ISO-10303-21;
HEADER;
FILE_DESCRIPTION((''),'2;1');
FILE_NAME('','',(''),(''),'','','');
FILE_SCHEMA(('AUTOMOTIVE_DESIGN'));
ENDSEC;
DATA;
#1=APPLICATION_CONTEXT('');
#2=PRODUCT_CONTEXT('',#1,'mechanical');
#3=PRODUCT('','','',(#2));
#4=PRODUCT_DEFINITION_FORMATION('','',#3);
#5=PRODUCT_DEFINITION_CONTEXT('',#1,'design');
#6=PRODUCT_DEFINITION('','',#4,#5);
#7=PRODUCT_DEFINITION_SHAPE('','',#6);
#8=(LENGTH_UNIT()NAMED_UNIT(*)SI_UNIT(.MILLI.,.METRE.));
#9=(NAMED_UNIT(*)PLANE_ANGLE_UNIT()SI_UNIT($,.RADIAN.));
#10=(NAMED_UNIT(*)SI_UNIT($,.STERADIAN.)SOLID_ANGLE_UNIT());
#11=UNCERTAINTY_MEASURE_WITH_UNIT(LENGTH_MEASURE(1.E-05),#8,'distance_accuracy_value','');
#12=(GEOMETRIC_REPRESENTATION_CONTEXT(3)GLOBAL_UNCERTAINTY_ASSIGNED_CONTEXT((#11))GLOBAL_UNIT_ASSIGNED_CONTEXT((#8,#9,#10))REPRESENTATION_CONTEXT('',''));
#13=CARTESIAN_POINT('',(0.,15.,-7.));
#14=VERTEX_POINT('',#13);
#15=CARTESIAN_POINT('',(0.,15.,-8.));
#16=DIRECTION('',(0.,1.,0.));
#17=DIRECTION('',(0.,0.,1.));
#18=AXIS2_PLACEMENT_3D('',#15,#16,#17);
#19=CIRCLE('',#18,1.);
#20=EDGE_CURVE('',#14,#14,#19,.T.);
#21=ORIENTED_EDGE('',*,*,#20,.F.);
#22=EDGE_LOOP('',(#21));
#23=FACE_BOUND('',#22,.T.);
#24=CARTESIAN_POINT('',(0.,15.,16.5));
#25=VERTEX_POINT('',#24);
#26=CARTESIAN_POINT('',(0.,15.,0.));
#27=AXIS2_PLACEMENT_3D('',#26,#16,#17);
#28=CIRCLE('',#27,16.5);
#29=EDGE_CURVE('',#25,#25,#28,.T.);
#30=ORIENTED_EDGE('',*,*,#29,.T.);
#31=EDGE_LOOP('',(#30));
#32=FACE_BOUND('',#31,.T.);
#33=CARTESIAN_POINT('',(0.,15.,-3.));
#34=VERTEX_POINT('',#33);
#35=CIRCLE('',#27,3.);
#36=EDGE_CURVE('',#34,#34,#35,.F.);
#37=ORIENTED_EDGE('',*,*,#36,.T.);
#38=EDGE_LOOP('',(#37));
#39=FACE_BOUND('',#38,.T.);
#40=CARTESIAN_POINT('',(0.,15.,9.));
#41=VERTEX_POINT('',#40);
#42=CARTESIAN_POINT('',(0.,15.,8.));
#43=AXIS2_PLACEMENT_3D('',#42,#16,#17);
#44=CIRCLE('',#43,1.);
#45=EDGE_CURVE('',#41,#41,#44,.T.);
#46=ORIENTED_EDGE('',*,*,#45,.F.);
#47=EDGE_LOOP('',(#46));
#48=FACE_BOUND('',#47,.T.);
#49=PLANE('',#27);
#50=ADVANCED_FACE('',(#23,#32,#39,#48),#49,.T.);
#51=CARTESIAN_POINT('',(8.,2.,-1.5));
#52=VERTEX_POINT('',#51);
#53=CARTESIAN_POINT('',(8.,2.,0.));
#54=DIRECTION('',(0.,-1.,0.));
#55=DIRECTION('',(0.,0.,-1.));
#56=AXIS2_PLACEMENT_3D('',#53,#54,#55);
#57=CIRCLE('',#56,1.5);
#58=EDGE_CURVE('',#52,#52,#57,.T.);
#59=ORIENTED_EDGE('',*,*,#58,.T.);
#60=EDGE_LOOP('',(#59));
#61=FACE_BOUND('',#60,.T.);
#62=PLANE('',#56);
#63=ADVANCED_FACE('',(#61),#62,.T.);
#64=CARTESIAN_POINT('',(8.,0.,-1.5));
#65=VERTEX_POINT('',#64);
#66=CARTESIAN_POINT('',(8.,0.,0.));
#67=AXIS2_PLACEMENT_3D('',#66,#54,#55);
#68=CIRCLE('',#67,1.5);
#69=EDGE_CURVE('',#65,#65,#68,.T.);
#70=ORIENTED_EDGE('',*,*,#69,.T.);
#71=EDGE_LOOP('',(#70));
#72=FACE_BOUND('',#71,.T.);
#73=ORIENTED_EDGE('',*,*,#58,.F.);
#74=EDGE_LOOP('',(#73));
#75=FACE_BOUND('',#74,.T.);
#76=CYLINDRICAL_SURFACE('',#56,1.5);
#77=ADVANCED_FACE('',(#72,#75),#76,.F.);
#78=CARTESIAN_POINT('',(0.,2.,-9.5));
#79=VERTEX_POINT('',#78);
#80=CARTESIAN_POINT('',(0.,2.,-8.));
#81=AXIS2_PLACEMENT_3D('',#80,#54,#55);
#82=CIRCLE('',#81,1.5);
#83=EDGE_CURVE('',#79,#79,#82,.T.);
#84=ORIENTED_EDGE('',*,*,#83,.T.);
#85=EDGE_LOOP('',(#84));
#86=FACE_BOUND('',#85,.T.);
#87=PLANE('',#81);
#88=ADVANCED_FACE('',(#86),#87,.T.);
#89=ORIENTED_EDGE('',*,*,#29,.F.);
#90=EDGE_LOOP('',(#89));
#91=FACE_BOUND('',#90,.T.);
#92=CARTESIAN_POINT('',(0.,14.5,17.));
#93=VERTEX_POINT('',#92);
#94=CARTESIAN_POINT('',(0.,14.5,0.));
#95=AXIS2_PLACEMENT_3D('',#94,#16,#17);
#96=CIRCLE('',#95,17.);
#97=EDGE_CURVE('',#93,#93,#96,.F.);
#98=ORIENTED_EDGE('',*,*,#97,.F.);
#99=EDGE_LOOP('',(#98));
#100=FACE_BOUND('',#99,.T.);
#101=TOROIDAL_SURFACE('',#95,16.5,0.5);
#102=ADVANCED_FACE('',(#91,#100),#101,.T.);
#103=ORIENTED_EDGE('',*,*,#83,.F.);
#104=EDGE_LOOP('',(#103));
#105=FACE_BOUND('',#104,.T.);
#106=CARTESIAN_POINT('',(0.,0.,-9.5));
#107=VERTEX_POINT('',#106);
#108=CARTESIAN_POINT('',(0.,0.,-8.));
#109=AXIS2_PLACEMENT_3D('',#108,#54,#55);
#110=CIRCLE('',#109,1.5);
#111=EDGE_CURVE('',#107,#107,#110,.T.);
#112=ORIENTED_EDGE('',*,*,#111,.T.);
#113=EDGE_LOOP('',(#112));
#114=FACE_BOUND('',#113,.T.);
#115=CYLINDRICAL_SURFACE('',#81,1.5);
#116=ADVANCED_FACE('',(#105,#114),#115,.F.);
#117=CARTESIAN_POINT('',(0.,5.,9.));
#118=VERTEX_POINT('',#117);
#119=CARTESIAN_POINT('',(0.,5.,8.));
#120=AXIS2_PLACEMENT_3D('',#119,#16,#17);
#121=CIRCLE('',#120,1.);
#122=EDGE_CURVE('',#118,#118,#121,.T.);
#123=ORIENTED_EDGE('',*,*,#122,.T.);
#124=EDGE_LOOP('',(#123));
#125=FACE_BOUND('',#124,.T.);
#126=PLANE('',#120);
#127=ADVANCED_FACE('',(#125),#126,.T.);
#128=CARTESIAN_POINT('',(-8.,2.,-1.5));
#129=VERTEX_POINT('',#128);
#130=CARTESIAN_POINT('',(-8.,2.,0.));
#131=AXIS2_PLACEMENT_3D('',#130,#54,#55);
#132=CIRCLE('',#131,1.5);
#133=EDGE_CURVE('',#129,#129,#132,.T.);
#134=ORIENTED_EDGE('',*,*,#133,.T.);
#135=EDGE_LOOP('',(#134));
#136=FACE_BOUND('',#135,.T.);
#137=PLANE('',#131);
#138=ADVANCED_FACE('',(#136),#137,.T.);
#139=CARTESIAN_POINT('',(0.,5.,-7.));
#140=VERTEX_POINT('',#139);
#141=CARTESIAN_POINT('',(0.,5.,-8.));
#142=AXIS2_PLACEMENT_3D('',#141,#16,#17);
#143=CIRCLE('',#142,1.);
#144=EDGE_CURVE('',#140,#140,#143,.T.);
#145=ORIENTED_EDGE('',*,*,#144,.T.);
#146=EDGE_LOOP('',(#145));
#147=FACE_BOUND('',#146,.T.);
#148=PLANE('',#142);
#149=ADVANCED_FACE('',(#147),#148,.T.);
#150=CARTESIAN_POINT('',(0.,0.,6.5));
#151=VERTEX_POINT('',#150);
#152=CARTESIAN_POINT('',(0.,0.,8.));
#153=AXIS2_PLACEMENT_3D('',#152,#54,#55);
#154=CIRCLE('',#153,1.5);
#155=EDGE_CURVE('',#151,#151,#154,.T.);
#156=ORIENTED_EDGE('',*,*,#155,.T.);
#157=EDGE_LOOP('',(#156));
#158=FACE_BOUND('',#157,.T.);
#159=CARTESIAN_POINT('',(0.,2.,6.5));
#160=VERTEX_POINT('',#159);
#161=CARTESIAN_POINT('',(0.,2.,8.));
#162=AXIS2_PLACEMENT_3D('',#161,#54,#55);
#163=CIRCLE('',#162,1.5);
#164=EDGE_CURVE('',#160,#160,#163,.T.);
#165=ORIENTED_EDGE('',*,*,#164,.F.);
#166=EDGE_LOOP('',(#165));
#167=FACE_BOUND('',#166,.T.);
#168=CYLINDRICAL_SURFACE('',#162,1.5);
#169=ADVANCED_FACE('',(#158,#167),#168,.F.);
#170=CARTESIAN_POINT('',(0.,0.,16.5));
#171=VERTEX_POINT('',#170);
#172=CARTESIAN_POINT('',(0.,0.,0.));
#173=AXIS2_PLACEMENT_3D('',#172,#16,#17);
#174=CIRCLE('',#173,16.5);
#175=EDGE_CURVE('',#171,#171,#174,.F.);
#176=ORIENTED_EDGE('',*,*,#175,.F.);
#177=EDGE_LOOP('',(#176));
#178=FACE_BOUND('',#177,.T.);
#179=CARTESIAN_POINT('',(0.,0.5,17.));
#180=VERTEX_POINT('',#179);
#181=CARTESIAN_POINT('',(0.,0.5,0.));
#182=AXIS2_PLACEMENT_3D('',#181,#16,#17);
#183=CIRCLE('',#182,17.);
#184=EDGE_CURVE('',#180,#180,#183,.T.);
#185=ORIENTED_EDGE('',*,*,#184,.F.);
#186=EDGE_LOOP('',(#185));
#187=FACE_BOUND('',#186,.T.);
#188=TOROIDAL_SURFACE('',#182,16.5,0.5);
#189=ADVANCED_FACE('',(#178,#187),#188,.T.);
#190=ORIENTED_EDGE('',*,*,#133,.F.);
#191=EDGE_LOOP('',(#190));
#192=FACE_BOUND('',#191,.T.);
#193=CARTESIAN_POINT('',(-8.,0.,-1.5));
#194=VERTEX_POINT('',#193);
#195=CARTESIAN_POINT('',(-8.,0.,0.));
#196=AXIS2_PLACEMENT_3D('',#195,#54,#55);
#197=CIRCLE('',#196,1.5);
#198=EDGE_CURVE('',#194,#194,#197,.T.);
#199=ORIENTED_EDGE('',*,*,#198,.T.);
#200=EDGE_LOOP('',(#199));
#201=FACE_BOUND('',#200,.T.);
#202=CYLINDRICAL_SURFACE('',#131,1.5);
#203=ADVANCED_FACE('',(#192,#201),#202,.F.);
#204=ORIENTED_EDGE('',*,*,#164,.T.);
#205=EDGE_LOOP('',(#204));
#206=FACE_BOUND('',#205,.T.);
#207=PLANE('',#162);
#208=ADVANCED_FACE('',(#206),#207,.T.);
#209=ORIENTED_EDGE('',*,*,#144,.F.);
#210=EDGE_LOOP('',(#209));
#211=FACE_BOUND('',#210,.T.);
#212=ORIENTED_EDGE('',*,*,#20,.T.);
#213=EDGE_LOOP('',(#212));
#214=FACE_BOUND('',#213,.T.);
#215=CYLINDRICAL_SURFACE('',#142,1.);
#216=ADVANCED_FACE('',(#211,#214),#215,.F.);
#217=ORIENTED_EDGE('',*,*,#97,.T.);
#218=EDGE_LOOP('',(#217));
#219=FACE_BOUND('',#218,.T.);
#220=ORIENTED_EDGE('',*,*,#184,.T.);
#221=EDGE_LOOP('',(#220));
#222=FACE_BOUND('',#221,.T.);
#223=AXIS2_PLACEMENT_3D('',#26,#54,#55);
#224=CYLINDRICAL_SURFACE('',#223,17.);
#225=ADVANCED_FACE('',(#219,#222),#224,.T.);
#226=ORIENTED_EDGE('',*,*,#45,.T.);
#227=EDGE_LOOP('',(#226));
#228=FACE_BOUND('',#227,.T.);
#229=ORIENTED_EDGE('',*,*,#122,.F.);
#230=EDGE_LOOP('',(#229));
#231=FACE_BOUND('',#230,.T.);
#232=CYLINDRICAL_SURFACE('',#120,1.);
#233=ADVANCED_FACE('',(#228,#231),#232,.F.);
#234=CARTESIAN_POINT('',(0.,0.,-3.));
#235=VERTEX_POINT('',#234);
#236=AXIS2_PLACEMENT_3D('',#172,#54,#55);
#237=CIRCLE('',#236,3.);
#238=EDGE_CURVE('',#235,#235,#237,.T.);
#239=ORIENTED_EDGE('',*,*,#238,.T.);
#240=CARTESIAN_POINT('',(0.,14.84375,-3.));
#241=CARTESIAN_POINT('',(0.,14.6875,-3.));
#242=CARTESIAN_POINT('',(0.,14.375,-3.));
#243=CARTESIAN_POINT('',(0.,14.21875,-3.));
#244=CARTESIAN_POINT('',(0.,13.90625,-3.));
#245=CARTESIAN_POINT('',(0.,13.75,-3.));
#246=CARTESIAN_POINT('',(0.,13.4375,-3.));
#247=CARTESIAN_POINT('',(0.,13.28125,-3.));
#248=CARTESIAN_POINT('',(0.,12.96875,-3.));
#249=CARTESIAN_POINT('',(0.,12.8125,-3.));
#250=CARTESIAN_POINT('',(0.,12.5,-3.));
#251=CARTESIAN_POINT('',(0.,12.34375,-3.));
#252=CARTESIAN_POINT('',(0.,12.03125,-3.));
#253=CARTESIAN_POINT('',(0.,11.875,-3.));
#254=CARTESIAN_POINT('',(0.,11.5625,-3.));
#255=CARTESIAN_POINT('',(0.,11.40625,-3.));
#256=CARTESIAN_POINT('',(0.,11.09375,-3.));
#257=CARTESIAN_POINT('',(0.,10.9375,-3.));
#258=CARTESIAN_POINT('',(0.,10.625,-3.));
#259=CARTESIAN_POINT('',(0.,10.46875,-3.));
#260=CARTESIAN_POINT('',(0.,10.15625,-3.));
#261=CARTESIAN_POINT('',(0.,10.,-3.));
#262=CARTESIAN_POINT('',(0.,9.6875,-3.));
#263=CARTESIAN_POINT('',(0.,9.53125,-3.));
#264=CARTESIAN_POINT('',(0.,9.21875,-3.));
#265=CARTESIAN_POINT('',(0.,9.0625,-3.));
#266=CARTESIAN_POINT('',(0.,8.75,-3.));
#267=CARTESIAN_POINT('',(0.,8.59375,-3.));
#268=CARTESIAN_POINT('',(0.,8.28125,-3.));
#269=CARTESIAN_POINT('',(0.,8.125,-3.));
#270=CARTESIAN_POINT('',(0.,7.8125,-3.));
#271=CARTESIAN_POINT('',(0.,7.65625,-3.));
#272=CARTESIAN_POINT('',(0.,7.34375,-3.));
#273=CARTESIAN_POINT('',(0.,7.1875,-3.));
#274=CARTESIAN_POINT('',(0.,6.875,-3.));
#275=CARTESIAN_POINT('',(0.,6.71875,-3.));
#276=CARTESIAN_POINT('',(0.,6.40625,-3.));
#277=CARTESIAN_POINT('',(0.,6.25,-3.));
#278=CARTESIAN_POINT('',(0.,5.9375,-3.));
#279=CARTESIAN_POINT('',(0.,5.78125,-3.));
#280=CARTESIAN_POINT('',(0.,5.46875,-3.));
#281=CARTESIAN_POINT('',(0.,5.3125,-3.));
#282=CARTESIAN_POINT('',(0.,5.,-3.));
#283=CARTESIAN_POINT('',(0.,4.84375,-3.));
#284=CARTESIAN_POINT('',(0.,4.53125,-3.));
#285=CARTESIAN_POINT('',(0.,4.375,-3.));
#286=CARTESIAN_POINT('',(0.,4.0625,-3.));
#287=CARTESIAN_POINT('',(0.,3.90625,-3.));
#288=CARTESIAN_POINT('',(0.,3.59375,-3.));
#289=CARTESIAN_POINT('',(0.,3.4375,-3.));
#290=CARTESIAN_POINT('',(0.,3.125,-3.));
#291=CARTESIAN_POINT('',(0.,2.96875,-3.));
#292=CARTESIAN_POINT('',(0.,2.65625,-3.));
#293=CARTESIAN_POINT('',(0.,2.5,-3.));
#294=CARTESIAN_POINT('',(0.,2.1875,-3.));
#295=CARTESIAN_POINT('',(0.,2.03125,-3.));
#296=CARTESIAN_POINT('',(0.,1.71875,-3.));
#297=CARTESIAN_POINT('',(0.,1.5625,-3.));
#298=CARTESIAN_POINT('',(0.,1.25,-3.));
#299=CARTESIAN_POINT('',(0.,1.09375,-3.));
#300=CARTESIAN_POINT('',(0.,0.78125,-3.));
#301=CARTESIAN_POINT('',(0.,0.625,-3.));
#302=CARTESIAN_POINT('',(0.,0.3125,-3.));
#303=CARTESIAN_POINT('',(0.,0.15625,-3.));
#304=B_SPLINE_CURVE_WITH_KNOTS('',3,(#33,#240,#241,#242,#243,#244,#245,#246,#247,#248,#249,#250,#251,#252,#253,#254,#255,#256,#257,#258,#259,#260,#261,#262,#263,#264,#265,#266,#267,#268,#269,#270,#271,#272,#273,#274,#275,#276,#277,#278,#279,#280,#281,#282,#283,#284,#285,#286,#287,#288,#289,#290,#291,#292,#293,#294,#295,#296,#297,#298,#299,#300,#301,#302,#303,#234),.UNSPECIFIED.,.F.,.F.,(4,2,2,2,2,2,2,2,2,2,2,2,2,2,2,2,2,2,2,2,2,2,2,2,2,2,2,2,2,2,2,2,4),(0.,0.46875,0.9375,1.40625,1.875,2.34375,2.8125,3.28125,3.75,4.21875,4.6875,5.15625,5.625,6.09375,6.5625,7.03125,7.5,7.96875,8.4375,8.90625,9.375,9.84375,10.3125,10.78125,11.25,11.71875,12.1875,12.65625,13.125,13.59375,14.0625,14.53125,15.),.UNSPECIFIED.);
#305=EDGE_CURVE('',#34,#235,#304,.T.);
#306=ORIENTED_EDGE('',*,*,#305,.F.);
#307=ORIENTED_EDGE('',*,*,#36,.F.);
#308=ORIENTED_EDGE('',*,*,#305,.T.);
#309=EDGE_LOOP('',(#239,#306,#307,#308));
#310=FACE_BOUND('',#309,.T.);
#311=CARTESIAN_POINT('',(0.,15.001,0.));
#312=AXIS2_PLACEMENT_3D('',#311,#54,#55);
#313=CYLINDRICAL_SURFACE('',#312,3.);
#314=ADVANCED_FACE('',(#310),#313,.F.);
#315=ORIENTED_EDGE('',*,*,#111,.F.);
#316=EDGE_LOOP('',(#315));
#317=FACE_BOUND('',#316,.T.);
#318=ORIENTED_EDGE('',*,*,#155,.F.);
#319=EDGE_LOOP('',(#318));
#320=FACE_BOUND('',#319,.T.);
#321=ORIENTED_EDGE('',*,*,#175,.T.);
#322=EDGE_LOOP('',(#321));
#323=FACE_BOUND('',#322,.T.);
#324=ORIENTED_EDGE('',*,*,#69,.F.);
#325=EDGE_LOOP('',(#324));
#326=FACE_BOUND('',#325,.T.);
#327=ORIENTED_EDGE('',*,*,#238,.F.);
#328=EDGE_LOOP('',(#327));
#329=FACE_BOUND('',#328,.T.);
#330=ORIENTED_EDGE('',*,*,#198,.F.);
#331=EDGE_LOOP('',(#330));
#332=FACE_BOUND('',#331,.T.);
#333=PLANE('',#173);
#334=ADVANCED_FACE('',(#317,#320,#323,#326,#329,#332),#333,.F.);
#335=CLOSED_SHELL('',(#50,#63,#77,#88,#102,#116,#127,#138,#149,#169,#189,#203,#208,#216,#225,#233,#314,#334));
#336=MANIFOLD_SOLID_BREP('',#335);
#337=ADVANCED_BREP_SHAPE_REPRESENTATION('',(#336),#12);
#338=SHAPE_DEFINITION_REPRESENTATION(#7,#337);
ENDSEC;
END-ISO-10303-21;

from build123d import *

# Parameters (mm, degrees)
SKETCH_1_R          = 17
EXTRUDE_1_DEPTH     = 15
SKETCH_2_R          = 1
CUT_EXTRUDE_1_DEPTH = 10
SKETCH_4_R          = 1.5
CUT_EXTRUDE_3_DEPTH = 2
CUT_EXTRUDE_4_REACH = 30.337
SKETCH_5_R          = 3
FILLET_1_R          = 0.5


with BuildPart() as part:
    # 草图1 → 凸台-拉伸1 (new body)
    with BuildSketch(Plane(origin=(0, 0, 0), x_dir=(1, 0, 0), z_dir=(0, 1, 0))):
        with Locations(Location((0, 0, 0), (0, 0, 270))):
            Circle(SKETCH_1_R)
    extrude(amount=EXTRUDE_1_DEPTH)

    # 草图2 → 切除-拉伸1 (cut)
    with BuildSketch(Plane(origin=(0, 15, 0), x_dir=(1, 0, 0), z_dir=(0, 1, 0))):
        with Locations(Location((0, 8, 0), (0, 0, 270))):
            Circle(SKETCH_2_R)
        with Locations(Location((0, -8, 0), (0, 0, 270))):
            Circle(SKETCH_2_R)
    extrude(amount=-CUT_EXTRUDE_1_DEPTH, mode=Mode.SUBTRACT)

    # 草图4 → 切除-拉伸3 (cut)
    with BuildSketch(Plane.XZ):
        with Locations(Location((0, 8, 0), (0, 0, 270))):
            Circle(SKETCH_4_R)
        with Locations(Location((8, 0, 0), (0, 0, 270))):
            Circle(SKETCH_4_R)
        with Locations(Location((0, -8, 0), (0, 0, 270))):
            Circle(SKETCH_4_R)
        with Locations(Location((-8, 0, 0), (0, 0, 270))):
            Circle(SKETCH_4_R)
    extrude(amount=-CUT_EXTRUDE_3_DEPTH, mode=Mode.SUBTRACT)

    # 草图5 → 切除-拉伸4 (cut, up to next)
    with BuildSketch(Plane.XZ, mode=Mode.PRIVATE) as cut_extrude_4_sk1:
        with Locations(Location((0, 0, 0), (0, 0, 270))):
            Circle(SKETCH_5_R)
    cut_extrude_4_tool1 = extrude(cut_extrude_4_sk1.sketch, amount=-CUT_EXTRUDE_4_REACH, mode=Mode.PRIVATE) & part.part
    add(cut_extrude_4_tool1.solids().sort_by_distance((0, 0, 0))[0], mode=Mode.SUBTRACT)

    # 圆角1
    fillet_1_edges = [part.edges().sort_by_distance(p)[0] for p in [
        (0, 0, -17),
        (0, 15, -17),
    ]]
    fillet(fillet_1_edges, radius=FILLET_1_R)


solid = part.part
